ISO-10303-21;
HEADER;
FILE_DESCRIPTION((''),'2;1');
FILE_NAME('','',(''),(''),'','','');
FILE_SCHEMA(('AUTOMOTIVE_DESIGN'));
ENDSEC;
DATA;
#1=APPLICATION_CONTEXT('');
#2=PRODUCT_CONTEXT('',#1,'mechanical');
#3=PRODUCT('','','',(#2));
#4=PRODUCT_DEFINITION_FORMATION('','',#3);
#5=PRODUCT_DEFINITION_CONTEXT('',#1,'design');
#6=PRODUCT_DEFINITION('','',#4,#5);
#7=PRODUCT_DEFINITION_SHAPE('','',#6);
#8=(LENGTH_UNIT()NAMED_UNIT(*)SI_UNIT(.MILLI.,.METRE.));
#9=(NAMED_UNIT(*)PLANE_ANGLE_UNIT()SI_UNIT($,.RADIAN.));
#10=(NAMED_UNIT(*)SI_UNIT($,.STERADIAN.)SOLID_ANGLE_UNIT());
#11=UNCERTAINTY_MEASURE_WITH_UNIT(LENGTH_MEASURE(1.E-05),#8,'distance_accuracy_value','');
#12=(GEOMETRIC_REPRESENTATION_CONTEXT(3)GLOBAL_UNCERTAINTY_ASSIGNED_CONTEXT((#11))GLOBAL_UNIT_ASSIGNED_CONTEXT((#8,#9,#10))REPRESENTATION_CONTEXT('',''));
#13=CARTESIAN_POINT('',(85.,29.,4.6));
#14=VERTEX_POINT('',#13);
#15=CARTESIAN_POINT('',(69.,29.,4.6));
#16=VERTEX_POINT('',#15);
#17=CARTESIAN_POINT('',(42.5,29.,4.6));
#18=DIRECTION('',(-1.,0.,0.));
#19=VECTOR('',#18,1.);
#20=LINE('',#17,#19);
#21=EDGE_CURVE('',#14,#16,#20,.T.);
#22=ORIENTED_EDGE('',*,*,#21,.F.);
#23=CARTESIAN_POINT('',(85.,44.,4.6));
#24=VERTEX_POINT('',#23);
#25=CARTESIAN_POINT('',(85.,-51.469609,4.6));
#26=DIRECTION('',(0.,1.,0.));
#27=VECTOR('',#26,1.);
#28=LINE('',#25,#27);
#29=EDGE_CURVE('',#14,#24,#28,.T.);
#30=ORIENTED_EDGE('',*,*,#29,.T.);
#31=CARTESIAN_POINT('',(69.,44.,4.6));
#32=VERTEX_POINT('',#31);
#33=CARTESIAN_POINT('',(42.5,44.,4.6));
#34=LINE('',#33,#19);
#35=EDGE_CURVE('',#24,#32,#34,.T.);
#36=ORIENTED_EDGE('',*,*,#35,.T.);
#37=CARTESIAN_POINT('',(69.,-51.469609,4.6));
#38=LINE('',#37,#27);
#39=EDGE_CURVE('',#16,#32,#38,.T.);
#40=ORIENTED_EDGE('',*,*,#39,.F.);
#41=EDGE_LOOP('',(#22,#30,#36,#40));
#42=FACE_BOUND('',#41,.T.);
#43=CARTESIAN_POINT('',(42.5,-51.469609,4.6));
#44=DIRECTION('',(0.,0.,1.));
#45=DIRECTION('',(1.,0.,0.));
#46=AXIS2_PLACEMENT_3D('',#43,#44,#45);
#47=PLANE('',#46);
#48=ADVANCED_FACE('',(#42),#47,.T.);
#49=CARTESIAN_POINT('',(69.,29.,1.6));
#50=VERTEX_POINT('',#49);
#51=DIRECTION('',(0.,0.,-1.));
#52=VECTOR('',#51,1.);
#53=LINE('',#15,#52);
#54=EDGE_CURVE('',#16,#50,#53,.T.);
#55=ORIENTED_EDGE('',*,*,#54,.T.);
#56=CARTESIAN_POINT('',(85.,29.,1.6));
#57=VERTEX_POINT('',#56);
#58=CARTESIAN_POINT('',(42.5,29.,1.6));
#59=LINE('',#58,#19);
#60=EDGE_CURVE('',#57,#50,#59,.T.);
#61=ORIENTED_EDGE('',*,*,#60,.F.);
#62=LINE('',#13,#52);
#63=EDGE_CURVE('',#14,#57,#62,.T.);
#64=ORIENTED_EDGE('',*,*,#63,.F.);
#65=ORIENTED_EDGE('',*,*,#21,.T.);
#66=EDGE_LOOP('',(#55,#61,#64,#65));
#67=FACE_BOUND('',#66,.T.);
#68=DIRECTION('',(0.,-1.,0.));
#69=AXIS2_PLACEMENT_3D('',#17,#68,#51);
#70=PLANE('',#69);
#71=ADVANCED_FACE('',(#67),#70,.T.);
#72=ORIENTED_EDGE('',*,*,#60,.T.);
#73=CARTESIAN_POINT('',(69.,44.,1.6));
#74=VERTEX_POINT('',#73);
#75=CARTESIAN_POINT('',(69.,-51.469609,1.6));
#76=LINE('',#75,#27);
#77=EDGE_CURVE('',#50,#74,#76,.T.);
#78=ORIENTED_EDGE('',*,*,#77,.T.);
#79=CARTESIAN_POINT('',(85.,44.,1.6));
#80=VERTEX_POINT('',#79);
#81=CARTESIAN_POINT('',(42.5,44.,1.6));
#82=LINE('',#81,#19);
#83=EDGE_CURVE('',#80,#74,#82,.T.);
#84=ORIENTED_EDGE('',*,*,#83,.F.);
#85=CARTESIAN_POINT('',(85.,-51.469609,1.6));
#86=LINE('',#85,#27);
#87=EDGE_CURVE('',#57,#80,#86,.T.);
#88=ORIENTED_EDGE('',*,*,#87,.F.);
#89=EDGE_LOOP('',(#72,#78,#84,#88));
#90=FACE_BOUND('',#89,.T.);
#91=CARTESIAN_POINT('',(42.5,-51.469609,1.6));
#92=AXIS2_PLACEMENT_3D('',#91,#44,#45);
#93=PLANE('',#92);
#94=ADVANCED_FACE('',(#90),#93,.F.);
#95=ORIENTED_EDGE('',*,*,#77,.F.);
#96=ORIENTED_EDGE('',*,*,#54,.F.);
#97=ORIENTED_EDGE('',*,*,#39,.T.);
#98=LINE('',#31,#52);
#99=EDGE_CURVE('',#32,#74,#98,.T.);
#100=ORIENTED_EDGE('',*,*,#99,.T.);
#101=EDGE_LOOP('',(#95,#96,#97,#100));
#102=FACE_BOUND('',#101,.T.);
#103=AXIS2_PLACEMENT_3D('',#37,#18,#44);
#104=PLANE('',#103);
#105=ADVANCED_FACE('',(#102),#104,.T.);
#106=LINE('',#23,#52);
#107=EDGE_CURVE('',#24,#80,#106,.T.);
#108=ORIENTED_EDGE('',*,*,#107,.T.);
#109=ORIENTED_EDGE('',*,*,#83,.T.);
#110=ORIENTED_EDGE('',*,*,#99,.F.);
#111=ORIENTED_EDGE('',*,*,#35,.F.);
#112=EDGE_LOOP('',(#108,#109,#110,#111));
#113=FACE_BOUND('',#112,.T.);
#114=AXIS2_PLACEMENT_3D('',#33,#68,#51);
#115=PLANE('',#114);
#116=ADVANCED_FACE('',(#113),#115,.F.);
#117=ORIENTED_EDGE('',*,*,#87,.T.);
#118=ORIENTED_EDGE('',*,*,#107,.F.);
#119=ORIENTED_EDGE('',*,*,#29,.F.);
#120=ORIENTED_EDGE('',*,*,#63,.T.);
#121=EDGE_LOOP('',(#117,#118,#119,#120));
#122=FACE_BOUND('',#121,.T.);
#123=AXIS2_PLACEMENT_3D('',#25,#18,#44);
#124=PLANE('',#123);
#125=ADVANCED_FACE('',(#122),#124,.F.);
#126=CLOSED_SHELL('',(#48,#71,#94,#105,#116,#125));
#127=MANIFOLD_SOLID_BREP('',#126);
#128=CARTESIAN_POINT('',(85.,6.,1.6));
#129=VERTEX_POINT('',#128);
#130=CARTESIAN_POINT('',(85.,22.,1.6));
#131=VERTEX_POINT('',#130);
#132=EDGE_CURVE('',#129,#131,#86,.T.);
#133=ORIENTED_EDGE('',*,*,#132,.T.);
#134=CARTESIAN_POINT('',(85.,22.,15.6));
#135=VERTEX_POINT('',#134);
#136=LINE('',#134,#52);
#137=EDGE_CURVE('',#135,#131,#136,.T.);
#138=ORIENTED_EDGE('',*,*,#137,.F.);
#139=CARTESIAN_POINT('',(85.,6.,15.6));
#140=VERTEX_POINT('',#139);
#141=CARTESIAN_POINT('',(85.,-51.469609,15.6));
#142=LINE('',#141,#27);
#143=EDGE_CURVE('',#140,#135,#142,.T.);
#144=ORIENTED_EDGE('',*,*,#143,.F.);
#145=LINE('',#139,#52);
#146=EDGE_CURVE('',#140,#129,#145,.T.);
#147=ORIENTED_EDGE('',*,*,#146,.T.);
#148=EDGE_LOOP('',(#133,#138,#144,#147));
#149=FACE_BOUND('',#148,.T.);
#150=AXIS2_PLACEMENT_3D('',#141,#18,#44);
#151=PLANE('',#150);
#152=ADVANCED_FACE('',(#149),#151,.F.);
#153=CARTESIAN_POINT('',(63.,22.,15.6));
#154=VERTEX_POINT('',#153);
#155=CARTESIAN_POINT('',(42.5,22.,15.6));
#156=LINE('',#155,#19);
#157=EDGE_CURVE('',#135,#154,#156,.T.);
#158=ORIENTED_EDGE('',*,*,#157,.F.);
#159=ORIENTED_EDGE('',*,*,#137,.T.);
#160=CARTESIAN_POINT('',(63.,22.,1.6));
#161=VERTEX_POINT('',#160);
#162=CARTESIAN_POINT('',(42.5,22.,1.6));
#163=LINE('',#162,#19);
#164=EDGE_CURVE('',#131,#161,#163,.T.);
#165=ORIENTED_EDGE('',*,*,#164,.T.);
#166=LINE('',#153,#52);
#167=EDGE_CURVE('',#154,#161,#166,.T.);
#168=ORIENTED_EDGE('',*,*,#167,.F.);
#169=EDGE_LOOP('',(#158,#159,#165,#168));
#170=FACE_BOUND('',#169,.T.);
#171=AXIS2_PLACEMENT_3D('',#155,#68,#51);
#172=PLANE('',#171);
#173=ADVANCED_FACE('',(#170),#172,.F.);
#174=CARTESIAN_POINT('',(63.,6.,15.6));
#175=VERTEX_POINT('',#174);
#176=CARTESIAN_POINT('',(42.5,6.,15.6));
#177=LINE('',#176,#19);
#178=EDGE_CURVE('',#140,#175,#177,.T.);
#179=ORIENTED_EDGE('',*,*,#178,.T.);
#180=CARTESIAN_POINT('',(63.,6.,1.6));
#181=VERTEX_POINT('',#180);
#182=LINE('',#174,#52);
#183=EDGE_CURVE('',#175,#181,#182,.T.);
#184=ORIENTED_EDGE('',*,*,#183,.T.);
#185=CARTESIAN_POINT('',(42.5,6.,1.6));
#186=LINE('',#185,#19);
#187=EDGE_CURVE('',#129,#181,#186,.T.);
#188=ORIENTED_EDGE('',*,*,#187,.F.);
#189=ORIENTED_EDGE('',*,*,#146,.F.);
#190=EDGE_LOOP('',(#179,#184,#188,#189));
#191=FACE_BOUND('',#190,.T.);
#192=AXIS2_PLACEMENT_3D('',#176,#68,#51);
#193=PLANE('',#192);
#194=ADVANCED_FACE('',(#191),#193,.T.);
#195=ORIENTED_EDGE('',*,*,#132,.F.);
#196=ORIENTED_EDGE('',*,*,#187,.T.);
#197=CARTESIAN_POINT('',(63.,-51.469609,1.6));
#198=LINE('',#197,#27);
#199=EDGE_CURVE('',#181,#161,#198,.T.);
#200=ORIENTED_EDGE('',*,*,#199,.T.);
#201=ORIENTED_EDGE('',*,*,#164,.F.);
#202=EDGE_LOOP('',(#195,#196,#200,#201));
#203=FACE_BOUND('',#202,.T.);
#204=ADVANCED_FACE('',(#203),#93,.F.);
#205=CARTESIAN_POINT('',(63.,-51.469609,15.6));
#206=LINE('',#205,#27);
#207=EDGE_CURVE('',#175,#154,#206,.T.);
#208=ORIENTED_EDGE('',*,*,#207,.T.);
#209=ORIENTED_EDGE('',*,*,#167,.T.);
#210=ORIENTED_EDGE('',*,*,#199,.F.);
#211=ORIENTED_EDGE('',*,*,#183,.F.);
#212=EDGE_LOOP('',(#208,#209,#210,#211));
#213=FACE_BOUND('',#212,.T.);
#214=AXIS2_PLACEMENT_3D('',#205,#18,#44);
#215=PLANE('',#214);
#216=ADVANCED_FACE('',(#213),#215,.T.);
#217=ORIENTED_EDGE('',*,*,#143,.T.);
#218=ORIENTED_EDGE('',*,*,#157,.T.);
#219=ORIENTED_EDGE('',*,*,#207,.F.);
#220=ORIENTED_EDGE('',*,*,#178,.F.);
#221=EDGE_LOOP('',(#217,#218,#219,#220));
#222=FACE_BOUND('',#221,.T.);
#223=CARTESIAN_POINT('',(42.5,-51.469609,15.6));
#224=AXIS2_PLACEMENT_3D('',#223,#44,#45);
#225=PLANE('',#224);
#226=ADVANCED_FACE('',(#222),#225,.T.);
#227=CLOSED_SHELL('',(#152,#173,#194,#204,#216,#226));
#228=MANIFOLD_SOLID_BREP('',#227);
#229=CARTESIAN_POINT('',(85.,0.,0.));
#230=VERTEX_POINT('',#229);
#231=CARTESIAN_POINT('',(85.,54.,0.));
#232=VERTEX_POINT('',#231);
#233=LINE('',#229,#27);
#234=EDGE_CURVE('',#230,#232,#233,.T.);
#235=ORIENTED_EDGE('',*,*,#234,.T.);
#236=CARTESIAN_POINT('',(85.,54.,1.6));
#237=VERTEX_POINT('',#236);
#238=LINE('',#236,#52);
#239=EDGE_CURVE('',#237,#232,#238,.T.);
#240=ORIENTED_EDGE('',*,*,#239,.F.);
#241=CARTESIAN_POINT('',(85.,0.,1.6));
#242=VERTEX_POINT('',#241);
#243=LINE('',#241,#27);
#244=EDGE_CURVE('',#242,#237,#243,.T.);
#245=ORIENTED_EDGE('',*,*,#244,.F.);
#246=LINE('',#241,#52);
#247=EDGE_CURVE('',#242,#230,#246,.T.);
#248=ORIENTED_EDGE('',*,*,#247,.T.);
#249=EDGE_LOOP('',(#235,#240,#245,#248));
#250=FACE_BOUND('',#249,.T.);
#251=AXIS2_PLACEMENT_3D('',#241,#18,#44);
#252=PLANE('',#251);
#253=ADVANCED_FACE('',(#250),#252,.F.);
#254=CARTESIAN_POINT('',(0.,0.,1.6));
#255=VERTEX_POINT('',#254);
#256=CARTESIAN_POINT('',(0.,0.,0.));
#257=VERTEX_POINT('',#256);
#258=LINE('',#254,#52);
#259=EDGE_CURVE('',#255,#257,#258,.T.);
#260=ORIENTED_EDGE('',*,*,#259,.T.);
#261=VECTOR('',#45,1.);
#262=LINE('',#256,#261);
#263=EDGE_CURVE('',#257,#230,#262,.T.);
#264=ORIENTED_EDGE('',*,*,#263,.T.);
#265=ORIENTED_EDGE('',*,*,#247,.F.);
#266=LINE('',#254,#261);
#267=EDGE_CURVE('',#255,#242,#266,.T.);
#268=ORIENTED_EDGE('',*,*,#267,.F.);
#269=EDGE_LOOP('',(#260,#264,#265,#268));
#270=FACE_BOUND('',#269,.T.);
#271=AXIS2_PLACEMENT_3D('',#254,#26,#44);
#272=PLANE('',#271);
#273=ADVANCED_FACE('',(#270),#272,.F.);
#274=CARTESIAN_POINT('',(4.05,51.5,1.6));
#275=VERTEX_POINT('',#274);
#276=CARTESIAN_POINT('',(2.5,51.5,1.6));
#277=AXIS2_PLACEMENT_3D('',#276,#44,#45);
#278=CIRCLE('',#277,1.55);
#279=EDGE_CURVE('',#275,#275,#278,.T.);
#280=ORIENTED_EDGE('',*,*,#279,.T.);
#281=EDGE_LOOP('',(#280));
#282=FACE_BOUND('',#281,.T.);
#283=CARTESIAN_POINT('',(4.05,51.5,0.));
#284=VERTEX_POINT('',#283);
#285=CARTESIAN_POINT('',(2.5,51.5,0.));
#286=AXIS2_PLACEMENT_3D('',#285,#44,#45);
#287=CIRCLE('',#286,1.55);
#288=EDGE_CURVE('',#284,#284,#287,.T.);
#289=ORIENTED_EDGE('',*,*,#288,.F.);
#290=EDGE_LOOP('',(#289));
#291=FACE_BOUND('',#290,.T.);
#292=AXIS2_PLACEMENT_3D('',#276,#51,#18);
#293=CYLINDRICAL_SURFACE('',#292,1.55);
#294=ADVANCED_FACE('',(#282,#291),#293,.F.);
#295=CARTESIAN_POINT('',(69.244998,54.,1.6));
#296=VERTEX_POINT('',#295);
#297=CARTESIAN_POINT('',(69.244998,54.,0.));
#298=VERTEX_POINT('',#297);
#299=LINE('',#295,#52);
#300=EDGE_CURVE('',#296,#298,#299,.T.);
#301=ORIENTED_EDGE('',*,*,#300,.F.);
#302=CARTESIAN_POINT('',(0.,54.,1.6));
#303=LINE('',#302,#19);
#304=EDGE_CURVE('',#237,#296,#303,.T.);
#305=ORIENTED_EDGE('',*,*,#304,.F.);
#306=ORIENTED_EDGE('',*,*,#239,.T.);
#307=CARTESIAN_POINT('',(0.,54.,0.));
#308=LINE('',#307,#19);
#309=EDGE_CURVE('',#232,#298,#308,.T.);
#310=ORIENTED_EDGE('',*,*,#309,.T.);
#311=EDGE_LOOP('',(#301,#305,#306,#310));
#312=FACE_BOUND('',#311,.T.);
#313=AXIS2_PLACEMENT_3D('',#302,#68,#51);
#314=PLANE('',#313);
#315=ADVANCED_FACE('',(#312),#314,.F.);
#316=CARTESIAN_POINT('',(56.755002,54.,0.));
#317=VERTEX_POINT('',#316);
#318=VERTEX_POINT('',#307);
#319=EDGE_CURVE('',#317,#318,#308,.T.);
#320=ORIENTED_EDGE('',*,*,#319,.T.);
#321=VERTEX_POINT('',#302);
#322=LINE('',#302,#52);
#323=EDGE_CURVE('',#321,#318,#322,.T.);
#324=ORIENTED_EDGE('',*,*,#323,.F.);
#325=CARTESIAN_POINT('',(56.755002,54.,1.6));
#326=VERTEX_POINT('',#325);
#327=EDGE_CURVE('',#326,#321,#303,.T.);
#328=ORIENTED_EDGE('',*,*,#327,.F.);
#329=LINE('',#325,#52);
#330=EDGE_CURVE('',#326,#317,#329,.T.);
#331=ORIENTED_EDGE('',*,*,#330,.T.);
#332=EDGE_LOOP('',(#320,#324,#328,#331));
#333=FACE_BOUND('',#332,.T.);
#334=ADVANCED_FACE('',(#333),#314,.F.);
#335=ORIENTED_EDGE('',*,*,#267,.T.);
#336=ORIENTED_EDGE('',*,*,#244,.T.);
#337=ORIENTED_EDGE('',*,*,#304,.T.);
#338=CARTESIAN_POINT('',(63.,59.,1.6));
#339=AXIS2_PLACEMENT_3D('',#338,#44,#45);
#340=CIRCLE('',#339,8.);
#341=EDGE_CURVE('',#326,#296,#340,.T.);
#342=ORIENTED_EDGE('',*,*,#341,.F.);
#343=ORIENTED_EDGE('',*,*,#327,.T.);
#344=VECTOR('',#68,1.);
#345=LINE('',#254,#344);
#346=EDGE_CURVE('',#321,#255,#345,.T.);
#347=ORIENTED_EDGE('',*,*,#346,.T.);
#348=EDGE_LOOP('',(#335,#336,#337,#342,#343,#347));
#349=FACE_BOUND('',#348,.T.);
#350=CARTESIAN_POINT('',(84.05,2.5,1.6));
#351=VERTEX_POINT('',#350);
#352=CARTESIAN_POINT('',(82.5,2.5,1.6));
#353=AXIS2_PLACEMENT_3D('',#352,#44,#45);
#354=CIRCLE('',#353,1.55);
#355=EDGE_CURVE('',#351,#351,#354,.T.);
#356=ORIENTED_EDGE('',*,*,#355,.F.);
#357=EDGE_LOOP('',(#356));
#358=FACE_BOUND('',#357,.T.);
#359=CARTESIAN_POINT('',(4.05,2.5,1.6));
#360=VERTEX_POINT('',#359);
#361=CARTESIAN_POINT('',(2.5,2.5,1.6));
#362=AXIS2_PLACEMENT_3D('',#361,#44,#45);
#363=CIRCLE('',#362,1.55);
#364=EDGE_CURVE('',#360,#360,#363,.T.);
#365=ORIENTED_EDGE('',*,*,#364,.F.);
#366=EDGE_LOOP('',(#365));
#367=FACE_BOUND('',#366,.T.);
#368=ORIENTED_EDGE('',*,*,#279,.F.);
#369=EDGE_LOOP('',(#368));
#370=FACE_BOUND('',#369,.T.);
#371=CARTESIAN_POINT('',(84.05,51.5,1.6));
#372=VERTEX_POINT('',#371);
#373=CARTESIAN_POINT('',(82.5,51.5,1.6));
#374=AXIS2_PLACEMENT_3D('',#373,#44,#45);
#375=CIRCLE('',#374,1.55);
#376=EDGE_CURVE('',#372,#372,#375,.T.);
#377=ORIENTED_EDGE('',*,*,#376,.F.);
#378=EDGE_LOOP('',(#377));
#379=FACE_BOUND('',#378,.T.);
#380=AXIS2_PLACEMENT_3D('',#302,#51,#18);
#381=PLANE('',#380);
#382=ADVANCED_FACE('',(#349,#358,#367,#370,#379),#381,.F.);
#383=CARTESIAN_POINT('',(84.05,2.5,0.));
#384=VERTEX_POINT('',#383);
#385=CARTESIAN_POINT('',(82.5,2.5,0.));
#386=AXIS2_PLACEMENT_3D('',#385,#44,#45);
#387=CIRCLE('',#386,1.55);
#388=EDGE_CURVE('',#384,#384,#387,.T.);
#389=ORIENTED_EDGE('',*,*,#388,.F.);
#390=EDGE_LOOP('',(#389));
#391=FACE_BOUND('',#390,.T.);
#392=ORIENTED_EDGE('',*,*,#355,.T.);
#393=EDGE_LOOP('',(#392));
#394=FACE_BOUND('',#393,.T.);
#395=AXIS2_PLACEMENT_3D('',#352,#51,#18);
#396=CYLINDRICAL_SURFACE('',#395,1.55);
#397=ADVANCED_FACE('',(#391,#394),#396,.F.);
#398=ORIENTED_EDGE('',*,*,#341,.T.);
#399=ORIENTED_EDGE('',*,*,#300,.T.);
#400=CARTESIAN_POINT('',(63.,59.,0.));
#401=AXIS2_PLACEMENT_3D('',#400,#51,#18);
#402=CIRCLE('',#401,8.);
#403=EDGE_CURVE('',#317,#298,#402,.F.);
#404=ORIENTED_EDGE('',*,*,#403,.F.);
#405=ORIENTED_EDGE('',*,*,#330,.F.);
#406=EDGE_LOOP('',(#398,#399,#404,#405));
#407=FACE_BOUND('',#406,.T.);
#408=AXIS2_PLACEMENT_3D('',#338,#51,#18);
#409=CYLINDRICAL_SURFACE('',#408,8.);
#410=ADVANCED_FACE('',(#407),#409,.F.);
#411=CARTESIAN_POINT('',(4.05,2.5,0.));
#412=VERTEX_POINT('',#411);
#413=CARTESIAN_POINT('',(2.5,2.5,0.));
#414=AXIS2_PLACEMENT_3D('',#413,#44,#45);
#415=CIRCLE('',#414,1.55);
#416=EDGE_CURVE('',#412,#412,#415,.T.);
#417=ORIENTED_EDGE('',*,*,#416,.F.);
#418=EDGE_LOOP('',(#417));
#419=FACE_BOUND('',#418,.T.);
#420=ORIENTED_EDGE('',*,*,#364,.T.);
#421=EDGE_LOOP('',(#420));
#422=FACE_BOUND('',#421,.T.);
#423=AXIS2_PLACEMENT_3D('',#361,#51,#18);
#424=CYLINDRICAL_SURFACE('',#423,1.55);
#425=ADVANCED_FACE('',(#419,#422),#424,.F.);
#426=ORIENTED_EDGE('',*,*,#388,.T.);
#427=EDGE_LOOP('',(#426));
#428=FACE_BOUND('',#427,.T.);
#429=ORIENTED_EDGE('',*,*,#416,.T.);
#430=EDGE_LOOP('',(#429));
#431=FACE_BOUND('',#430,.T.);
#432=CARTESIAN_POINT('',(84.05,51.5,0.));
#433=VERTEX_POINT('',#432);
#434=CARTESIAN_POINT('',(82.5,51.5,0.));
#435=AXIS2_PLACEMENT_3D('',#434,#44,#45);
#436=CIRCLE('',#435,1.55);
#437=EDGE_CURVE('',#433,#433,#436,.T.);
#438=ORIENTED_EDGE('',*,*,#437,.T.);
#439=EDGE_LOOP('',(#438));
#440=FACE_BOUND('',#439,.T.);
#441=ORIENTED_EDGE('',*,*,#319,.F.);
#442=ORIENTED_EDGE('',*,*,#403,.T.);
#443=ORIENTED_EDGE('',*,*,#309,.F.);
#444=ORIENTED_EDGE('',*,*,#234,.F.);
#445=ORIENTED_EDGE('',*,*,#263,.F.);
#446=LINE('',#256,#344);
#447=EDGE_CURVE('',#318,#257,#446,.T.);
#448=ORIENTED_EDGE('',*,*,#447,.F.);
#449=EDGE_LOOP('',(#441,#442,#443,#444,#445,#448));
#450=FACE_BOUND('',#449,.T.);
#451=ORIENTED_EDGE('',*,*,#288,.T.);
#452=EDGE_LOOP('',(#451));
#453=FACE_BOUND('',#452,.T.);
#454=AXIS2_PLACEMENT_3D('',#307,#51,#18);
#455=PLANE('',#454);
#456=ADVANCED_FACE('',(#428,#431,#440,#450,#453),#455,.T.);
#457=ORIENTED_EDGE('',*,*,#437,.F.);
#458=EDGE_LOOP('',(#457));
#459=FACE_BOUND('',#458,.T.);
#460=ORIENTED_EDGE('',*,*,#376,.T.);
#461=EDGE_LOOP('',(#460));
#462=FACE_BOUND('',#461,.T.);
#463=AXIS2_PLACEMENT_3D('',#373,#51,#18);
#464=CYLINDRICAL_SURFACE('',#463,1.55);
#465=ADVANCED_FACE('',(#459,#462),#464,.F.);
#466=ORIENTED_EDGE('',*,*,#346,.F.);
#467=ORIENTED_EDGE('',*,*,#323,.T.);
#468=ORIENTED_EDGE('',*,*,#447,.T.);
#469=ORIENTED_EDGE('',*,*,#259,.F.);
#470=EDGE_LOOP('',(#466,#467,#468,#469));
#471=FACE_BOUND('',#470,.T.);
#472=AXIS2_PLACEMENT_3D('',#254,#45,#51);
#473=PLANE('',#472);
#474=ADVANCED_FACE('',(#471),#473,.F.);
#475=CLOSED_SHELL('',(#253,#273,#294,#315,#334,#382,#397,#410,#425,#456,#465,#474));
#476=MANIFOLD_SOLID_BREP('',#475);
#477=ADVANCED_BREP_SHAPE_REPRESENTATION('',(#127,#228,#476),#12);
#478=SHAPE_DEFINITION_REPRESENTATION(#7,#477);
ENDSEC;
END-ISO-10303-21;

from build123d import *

# Parameters (mm, degrees)
SKETCH_1_W          = 85
SKETCH_1_H          = 54
SKETCH_1_R          = 1.55
EXTRUDE_1_DEPTH     = 1.6
SKETCH_2_W          = 22
SKETCH_2_H          = 16
EXTRUDE_2_DEPTH     = 14
SKETCH_2_3_W        = 16
SKETCH_2_3_H        = 15
EXTRUDE_3_DEPTH     = 3
CUT_EXTRUDE_1_DEPTH = 2.6


with BuildPart() as part:
    # Sketch 1 → Extrude 1 (new body)
    with BuildSketch(Plane.XY):
        with Locations((42.5, 27)):
            Rectangle(SKETCH_1_W, SKETCH_1_H)
        with Locations((2.5, 51.5)):
            Circle(SKETCH_1_R, mode=Mode.SUBTRACT)
        with Locations((82.5, 51.5)):
            Circle(SKETCH_1_R, mode=Mode.SUBTRACT)
        with Locations((82.5, 2.5)):
            Circle(SKETCH_1_R, mode=Mode.SUBTRACT)
        with Locations((2.5, 2.5)):
            Circle(SKETCH_1_R, mode=Mode.SUBTRACT)
    extrude(amount=EXTRUDE_1_DEPTH)

    # Sketch 5 → Cut-Extrude 1 (cut, through all)
    with BuildSketch(Plane.XY.offset(1.6)):
        with BuildLine():
            Line((-59.259445708, 198.901998746), (56.755002002, 54))
            ThreePointArc((56.755002002, 54), (63, 51), (69.244997998, 54))
            Line((69.244997998, 54), (185.259445708, 198.901998746))
            Line((185.259445708, 198.901998746), (185.259445708, 570.148231416))
            Line((185.259445708, 570.148231416), (-59.259445708, 570.148231416))
            Line((-59.259445708, 570.148231416), (-59.259445708, 198.901998746))
        make_face()
    extrude(amount=-CUT_EXTRUDE_1_DEPTH, mode=Mode.SUBTRACT)


with BuildPart() as body_2:
    # Sketch 2 → Extrude 2 (new body)
    with BuildSketch(Plane(origin=(0, 0, 1.6), x_dir=(-1, 0, 0), z_dir=(0, 0, -1))):
        with Locations((-74, 14)):
            Rectangle(SKETCH_2_W, SKETCH_2_H)
    extrude(amount=-EXTRUDE_2_DEPTH)


with BuildPart() as body_3:
    # Sketch 2_3 → Extrude 3 (new body)
    with BuildSketch(Plane(origin=(0, 0, 1.6), x_dir=(-1, 0, 0), z_dir=(0, 0, -1))):
        with Locations((-77, 36.5)):
            Rectangle(SKETCH_2_3_W, SKETCH_2_3_H)
    extrude(amount=-EXTRUDE_3_DEPTH)


solid = Compound([part.part, body_2.part, body_3.part])
